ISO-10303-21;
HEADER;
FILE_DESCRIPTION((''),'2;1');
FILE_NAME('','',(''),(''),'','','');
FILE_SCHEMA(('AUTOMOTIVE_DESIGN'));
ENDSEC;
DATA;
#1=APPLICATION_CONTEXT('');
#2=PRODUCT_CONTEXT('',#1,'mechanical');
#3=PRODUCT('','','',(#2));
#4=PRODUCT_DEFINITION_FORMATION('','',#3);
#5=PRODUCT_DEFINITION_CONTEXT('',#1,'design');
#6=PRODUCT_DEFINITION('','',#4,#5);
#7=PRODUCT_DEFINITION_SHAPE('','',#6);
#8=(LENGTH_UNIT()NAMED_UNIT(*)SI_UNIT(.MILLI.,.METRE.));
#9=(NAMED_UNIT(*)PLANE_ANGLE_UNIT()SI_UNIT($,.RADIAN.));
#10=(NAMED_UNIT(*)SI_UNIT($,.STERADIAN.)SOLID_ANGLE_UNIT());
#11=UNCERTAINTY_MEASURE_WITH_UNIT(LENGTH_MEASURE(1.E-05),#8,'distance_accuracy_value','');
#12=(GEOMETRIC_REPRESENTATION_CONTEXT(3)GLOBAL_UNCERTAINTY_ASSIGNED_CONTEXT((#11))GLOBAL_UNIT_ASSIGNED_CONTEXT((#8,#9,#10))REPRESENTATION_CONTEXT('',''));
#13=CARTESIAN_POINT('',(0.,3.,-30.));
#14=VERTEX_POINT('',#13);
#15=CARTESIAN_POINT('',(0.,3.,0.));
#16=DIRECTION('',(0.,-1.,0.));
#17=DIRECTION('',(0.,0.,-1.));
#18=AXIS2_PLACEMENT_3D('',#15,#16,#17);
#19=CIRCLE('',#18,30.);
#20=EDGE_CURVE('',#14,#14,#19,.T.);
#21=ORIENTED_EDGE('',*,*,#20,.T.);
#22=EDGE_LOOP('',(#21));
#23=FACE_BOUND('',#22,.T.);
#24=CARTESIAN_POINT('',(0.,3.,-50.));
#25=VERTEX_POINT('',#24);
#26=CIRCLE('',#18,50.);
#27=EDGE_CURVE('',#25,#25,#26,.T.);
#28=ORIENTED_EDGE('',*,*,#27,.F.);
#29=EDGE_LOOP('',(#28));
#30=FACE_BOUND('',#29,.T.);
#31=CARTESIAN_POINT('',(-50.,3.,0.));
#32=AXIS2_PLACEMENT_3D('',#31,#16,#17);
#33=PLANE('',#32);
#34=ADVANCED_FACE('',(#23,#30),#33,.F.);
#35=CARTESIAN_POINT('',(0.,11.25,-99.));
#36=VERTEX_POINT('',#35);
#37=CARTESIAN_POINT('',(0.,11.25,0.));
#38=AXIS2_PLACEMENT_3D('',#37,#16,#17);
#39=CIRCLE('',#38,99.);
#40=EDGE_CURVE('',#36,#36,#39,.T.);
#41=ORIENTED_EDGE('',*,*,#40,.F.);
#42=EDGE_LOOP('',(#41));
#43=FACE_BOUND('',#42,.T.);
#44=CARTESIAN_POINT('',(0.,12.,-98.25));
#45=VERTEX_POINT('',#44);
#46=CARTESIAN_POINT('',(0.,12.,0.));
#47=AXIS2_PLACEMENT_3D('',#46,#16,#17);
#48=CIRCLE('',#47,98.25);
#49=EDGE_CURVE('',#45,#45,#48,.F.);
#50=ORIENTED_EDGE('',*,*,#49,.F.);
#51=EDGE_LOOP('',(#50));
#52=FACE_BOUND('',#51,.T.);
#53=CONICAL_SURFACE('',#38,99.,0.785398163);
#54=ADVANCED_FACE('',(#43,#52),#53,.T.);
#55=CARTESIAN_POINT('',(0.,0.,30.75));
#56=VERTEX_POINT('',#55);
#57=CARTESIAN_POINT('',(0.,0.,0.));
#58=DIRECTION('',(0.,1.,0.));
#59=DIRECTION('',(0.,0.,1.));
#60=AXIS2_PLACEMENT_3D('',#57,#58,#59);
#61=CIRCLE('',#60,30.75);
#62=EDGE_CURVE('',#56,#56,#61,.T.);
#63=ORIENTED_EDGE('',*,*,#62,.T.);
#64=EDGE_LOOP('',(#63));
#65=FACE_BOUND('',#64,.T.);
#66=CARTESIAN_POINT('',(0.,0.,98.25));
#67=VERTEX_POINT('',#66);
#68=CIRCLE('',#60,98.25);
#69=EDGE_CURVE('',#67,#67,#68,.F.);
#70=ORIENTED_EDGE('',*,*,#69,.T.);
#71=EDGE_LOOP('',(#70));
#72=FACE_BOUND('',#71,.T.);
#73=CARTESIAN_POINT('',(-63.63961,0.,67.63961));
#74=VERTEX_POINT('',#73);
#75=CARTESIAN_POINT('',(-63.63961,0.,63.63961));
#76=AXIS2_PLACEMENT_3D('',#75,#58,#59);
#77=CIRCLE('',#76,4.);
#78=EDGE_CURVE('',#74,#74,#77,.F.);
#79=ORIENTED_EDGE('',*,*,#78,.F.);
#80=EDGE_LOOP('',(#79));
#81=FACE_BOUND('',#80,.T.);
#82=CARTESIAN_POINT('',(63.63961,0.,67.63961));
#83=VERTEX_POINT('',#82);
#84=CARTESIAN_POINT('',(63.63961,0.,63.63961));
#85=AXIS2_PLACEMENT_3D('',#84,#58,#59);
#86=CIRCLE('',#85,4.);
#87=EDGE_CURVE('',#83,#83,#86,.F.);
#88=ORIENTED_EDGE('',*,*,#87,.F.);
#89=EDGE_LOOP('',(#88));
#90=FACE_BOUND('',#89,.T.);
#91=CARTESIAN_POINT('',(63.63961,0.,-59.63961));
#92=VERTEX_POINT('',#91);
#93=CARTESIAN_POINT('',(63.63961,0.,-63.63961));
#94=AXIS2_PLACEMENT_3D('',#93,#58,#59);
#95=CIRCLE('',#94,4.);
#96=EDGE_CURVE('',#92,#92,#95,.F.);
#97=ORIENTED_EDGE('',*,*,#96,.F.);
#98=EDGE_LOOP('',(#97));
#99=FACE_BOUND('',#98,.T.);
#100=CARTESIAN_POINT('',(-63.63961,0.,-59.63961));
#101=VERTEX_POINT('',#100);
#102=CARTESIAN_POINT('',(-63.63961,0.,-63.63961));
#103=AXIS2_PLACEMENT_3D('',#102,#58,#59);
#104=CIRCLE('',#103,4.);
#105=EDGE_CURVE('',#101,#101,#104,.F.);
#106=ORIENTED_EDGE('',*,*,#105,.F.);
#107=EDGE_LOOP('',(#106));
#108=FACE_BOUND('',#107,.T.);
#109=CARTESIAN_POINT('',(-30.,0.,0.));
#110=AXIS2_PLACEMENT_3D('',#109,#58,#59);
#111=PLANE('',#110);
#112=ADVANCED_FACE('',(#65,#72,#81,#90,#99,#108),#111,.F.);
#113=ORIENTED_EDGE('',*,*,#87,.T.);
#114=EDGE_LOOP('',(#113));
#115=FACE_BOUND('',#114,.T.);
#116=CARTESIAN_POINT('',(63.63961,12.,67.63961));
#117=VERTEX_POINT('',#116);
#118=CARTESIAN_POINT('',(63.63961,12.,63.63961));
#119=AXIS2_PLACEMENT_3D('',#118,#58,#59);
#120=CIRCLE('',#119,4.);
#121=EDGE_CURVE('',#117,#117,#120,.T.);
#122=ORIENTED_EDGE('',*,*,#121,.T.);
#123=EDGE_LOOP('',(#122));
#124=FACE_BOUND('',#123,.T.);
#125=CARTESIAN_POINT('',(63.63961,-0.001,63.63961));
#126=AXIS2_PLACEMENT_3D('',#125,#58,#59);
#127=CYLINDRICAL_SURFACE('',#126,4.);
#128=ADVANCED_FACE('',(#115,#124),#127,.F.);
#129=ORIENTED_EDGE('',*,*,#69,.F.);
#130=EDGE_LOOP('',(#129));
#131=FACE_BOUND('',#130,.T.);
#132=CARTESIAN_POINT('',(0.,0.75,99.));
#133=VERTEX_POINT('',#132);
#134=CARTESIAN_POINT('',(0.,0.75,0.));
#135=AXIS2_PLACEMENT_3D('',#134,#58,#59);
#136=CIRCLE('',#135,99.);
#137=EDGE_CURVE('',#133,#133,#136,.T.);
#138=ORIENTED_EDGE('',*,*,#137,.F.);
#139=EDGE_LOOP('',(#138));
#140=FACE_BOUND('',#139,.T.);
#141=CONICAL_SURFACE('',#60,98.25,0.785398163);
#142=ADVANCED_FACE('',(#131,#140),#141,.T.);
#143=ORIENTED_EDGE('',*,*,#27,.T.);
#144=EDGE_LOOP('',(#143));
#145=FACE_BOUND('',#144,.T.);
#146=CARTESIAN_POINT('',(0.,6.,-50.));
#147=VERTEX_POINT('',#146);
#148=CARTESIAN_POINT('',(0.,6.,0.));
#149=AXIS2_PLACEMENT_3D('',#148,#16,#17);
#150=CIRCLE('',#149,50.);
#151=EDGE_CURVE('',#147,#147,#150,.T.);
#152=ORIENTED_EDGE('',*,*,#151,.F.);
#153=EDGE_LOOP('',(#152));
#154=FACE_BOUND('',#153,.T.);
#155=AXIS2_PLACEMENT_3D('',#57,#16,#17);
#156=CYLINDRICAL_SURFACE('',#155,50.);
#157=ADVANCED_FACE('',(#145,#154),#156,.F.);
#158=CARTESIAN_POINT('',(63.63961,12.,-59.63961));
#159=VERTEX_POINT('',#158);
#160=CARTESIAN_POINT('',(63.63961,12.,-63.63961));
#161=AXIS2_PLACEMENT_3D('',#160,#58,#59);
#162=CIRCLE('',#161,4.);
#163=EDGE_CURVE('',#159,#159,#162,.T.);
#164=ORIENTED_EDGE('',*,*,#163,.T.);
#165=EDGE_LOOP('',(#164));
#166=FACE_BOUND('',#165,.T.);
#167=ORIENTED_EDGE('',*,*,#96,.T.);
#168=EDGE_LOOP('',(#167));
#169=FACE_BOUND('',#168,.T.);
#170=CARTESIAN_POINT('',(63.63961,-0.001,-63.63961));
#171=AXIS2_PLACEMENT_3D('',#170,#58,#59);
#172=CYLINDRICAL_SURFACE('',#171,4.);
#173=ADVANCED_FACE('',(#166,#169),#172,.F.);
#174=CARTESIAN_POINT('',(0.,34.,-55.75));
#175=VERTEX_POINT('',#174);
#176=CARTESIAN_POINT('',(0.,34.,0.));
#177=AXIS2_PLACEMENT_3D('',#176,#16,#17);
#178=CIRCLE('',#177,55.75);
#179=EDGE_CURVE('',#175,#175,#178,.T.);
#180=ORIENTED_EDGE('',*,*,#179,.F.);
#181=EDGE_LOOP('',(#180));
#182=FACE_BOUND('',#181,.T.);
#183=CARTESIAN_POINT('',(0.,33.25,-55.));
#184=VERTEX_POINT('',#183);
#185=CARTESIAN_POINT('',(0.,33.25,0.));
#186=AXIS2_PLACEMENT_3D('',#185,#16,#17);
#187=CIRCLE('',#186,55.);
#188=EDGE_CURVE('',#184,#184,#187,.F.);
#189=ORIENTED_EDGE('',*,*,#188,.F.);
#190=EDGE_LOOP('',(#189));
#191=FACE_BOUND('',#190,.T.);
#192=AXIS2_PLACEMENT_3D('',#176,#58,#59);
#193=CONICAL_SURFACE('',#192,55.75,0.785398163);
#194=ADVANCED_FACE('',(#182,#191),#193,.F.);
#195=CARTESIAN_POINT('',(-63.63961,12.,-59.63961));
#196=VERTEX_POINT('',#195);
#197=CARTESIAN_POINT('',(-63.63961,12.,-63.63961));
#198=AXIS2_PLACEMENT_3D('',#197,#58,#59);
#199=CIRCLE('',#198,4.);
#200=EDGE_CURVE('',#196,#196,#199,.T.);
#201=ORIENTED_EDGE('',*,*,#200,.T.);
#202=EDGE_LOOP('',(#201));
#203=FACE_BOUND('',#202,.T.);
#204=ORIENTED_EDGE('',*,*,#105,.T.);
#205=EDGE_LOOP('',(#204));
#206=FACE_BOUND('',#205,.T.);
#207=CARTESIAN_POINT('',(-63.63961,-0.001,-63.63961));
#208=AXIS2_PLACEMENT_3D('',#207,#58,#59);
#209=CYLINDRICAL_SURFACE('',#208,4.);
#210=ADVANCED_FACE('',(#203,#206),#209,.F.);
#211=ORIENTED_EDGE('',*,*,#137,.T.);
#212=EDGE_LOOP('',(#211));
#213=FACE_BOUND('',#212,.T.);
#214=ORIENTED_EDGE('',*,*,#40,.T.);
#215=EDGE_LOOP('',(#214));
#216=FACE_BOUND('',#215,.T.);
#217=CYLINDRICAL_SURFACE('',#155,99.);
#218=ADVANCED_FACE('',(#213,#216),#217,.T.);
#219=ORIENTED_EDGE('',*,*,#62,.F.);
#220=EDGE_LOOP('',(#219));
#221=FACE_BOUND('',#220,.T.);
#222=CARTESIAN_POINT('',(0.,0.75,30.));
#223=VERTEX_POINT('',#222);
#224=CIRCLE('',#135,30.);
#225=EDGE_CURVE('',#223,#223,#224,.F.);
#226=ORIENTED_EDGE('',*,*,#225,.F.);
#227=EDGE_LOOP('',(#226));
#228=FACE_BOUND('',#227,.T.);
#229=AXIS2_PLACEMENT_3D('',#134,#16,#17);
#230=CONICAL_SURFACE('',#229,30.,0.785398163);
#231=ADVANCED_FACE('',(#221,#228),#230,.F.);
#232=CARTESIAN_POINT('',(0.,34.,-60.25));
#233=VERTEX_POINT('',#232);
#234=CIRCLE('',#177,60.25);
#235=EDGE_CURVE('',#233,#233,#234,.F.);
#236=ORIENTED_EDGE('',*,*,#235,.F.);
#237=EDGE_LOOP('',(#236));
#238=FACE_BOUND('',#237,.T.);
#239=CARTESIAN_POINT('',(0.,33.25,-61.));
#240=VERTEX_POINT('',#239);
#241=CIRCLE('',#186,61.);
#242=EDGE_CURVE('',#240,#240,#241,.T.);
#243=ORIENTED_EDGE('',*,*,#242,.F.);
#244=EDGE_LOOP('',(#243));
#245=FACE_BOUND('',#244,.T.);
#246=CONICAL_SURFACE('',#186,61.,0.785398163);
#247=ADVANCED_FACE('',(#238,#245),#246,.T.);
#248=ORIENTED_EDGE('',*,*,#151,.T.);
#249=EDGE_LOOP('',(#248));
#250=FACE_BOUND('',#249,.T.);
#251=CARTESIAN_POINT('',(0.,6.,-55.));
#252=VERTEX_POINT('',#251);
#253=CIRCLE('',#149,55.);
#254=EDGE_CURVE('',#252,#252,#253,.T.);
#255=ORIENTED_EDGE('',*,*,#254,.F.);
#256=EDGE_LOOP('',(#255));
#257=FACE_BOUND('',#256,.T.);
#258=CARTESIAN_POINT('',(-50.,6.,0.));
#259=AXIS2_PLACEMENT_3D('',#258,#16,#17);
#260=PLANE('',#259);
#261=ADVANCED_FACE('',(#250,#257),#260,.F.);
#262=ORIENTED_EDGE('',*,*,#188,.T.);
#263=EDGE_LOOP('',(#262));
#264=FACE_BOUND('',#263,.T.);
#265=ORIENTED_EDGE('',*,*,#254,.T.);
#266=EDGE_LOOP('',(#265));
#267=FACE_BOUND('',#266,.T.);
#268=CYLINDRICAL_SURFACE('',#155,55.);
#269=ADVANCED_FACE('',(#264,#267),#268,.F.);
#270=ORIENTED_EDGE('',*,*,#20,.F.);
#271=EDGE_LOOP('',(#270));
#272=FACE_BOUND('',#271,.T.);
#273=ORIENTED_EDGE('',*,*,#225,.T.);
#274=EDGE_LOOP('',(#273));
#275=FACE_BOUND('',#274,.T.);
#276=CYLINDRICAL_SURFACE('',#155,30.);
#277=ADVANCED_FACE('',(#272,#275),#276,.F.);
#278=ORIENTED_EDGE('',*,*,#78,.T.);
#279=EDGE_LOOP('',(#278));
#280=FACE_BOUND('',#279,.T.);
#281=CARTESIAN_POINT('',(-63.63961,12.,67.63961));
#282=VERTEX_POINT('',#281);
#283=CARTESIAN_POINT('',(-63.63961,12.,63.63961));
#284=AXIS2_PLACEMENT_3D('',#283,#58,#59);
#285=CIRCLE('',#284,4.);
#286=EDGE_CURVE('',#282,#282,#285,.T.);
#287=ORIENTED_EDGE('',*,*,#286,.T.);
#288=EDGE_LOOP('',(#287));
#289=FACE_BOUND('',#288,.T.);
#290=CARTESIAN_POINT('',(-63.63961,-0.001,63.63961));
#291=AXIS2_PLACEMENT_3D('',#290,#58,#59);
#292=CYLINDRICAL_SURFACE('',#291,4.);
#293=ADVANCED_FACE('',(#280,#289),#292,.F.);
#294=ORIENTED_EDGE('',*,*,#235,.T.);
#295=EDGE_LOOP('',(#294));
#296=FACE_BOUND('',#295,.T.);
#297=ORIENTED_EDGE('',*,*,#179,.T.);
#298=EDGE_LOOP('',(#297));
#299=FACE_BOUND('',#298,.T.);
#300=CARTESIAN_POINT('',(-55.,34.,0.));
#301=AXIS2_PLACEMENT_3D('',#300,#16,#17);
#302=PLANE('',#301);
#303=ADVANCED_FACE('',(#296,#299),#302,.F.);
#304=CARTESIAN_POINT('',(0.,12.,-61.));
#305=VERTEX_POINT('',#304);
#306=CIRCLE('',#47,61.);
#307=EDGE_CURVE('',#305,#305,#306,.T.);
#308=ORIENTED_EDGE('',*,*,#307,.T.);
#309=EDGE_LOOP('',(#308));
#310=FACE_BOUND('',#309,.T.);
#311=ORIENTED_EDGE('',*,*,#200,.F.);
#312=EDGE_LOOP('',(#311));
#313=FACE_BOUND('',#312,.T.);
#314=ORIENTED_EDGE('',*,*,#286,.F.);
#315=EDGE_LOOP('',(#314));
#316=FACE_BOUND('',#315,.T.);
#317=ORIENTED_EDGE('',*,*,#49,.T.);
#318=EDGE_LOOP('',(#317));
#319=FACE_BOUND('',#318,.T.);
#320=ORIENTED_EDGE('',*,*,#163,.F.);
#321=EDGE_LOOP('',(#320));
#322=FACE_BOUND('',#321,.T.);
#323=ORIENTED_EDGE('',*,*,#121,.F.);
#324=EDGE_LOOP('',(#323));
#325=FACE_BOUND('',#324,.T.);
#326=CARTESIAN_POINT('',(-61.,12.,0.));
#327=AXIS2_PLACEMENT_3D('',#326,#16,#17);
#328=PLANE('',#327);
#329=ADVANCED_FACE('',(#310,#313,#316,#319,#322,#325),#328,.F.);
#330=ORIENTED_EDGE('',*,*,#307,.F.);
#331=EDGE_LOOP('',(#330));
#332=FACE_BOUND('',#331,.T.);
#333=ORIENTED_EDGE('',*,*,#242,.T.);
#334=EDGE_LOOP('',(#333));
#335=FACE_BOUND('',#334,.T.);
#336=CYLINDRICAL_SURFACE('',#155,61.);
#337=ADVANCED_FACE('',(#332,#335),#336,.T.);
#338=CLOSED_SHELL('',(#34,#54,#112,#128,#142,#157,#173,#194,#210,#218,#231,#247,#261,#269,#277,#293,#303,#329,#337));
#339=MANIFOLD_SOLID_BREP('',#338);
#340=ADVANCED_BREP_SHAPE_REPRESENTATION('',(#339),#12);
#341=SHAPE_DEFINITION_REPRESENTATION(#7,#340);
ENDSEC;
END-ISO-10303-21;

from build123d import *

# Parameters (mm, degrees)
CUT_EXTRUDE1_REACH = 14
SKETCH2_R          = 4
CHAMFER1_SIZE      = 0.75


with BuildPart() as part:
    # Sketch1 → Revolve2 (revolve)
    with BuildSketch(Plane.XY):
        Polygon((-50, 3), (-50, 6), (-55, 6), (-55, 34), (-61, 34), (-61, 12), (-99, 12), (-99, 0), (-30, 0), (-30, 3), align=None)
    revolve(axis=Axis((0, 0, 0), (0, 1, 0)))

    # Sketch2 → Cut-Extrude1 (cut, up to next)
    with BuildSketch(Plane(origin=(0, 12, 0), x_dir=(1, 0, 0), z_dir=(0, 1, 0)), mode=Mode.PRIVATE) as cut_extrude1_sk1:
        with Locations((-63.639610307, 63.639610307)):
            Circle(SKETCH2_R)
    cut_extrude1_tool1 = extrude(cut_extrude1_sk1.sketch, amount=-CUT_EXTRUDE1_REACH, mode=Mode.PRIVATE) & part.part
    add(cut_extrude1_tool1.solids().sort_by_distance((-63.63961, 12, -63.63961))[0], mode=Mode.SUBTRACT)
    # Sketch2 → Cut-Extrude1 (cut, up to next)
    with BuildSketch(Plane(origin=(0, 12, 0), x_dir=(1, 0, 0), z_dir=(0, 1, 0)), mode=Mode.PRIVATE) as cut_extrude1_sk2:
        with Locations((63.639610307, 63.639610307)):
            Circle(SKETCH2_R)
    cut_extrude1_tool2 = extrude(cut_extrude1_sk2.sketch, amount=-CUT_EXTRUDE1_REACH, mode=Mode.PRIVATE) & part.part
    add(cut_extrude1_tool2.solids().sort_by_distance((63.63961, 12, -63.63961))[0], mode=Mode.SUBTRACT)
    # Sketch2 → Cut-Extrude1 (cut, up to next)
    with BuildSketch(Plane(origin=(0, 12, 0), x_dir=(1, 0, 0), z_dir=(0, 1, 0)), mode=Mode.PRIVATE) as cut_extrude1_sk3:
        with Locations((63.639610307, -63.639610307)):
            Circle(SKETCH2_R)
    cut_extrude1_tool3 = extrude(cut_extrude1_sk3.sketch, amount=-CUT_EXTRUDE1_REACH, mode=Mode.PRIVATE) & part.part
    add(cut_extrude1_tool3.solids().sort_by_distance((63.63961, 12, 63.63961))[0], mode=Mode.SUBTRACT)
    # Sketch2 → Cut-Extrude1 (cut, up to next)
    with BuildSketch(Plane(origin=(0, 12, 0), x_dir=(1, 0, 0), z_dir=(0, 1, 0)), mode=Mode.PRIVATE) as cut_extrude1_sk4:
        with Locations((-63.639610307, -63.639610307)):
            Circle(SKETCH2_R)
    cut_extrude1_tool4 = extrude(cut_extrude1_sk4.sketch, amount=-CUT_EXTRUDE1_REACH, mode=Mode.PRIVATE) & part.part
    add(cut_extrude1_tool4.solids().sort_by_distance((-63.63961, 12, 63.63961))[0], mode=Mode.SUBTRACT)

    # Chamfer1
    chamfer1_edges = [part.edges().sort_by_distance(p)[0] for p in [
        (55, 34, 0),
        (61, 34, 0),
        (99, 12, 0),
        (99, 0, 0),
        (30, 0, 0),
    ]]
    chamfer(chamfer1_edges, length=CHAMFER1_SIZE)


solid = part.part
